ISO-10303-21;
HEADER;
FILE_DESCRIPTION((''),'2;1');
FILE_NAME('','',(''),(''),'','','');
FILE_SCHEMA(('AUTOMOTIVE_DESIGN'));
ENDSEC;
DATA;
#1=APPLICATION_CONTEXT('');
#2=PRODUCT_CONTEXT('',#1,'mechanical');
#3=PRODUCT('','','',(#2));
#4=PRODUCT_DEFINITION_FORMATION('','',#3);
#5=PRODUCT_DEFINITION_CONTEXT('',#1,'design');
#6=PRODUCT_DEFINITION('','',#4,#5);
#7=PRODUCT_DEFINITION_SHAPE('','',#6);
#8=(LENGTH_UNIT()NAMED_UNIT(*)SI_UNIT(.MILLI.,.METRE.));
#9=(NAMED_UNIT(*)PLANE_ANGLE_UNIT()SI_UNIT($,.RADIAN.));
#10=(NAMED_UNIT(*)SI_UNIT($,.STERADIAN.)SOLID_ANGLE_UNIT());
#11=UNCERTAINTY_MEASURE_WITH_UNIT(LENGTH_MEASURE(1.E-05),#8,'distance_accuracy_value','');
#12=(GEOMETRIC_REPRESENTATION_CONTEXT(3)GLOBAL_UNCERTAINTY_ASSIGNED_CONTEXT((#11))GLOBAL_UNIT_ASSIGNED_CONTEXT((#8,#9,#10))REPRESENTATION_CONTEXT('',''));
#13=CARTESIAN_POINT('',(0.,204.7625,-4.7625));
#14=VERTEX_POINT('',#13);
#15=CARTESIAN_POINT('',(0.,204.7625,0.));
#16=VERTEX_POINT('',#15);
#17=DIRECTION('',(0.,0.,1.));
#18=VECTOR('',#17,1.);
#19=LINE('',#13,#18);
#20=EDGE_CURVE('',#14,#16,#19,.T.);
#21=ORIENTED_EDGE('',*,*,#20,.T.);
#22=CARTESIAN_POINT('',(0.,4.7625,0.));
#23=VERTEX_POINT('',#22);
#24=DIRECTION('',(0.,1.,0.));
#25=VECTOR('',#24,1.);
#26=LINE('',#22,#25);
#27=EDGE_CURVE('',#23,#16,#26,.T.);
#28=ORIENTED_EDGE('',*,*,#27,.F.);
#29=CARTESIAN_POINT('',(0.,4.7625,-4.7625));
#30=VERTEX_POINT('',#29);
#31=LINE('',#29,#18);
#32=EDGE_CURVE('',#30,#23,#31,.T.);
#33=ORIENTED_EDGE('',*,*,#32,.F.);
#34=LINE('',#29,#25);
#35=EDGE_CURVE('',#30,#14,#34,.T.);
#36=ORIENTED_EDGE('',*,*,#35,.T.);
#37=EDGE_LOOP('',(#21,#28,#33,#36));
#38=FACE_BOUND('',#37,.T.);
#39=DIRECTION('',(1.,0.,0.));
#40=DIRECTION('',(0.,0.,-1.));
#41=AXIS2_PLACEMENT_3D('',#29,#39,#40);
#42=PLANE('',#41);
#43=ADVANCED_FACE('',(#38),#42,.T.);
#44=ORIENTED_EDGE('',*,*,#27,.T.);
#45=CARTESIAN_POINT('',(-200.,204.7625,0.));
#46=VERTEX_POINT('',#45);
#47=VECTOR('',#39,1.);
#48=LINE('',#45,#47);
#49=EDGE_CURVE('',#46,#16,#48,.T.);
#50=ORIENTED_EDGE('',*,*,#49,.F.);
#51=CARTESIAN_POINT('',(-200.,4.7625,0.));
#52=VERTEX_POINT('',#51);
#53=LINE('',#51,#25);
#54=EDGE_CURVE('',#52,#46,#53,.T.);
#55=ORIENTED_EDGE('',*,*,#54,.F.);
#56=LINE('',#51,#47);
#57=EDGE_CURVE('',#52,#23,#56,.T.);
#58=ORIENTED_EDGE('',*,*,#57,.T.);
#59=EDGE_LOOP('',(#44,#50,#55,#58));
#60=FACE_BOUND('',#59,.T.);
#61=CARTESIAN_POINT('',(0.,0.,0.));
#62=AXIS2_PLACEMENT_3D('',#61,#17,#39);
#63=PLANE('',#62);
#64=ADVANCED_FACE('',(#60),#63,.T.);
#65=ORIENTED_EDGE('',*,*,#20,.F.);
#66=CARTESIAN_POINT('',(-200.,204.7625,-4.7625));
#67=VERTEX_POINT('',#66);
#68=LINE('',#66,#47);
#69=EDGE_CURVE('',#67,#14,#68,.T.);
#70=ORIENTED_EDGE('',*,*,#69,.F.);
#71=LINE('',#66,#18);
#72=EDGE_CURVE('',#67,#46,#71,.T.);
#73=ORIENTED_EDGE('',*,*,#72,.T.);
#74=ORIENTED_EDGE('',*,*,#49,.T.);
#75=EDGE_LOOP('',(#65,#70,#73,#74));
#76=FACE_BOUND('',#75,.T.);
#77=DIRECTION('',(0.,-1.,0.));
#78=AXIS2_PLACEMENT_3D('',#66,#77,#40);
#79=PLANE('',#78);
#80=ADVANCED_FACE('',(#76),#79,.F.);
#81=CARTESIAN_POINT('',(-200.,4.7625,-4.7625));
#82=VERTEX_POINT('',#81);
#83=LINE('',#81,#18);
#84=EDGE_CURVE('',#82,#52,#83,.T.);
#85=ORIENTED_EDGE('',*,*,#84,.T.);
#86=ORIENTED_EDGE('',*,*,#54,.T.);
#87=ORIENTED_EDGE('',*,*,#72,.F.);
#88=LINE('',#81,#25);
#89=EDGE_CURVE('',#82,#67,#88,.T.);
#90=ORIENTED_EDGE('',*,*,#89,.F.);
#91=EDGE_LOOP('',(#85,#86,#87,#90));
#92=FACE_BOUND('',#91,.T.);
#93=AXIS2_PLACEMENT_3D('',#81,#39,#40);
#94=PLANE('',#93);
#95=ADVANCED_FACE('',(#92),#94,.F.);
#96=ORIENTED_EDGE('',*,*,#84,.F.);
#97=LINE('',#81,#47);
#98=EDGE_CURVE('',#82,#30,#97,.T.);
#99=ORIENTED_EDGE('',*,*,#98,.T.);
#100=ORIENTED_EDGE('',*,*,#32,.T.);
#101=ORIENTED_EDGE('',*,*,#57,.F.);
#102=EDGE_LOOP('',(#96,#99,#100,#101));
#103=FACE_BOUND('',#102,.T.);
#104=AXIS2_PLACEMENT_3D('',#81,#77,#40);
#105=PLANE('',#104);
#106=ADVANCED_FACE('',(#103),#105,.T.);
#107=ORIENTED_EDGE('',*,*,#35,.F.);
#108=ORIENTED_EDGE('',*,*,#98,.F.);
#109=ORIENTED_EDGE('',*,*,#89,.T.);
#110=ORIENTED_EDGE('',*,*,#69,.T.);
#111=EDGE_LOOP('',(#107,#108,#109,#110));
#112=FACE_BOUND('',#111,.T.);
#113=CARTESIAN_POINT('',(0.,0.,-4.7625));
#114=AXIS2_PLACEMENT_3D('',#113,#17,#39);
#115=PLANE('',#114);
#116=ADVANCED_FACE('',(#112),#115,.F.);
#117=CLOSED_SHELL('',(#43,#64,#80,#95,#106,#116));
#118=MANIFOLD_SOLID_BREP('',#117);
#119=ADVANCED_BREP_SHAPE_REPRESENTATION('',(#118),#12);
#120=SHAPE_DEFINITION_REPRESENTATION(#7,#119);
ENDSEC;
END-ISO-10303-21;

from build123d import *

# Parameters (mm, degrees)
SKETCH1_W           = 200
SKETCH1_H           = 200
BOSS_EXTRUDE1_DEPTH = 4.7625


with BuildPart() as part:
    # Sketch1 → Boss-Extrude1 (new body)
    with BuildSketch(Plane.XY):
        with Locations((-100, 104.7625)):
            Rectangle(SKETCH1_W, SKETCH1_H)
    extrude(amount=-BOSS_EXTRUDE1_DEPTH)


solid = part.part
